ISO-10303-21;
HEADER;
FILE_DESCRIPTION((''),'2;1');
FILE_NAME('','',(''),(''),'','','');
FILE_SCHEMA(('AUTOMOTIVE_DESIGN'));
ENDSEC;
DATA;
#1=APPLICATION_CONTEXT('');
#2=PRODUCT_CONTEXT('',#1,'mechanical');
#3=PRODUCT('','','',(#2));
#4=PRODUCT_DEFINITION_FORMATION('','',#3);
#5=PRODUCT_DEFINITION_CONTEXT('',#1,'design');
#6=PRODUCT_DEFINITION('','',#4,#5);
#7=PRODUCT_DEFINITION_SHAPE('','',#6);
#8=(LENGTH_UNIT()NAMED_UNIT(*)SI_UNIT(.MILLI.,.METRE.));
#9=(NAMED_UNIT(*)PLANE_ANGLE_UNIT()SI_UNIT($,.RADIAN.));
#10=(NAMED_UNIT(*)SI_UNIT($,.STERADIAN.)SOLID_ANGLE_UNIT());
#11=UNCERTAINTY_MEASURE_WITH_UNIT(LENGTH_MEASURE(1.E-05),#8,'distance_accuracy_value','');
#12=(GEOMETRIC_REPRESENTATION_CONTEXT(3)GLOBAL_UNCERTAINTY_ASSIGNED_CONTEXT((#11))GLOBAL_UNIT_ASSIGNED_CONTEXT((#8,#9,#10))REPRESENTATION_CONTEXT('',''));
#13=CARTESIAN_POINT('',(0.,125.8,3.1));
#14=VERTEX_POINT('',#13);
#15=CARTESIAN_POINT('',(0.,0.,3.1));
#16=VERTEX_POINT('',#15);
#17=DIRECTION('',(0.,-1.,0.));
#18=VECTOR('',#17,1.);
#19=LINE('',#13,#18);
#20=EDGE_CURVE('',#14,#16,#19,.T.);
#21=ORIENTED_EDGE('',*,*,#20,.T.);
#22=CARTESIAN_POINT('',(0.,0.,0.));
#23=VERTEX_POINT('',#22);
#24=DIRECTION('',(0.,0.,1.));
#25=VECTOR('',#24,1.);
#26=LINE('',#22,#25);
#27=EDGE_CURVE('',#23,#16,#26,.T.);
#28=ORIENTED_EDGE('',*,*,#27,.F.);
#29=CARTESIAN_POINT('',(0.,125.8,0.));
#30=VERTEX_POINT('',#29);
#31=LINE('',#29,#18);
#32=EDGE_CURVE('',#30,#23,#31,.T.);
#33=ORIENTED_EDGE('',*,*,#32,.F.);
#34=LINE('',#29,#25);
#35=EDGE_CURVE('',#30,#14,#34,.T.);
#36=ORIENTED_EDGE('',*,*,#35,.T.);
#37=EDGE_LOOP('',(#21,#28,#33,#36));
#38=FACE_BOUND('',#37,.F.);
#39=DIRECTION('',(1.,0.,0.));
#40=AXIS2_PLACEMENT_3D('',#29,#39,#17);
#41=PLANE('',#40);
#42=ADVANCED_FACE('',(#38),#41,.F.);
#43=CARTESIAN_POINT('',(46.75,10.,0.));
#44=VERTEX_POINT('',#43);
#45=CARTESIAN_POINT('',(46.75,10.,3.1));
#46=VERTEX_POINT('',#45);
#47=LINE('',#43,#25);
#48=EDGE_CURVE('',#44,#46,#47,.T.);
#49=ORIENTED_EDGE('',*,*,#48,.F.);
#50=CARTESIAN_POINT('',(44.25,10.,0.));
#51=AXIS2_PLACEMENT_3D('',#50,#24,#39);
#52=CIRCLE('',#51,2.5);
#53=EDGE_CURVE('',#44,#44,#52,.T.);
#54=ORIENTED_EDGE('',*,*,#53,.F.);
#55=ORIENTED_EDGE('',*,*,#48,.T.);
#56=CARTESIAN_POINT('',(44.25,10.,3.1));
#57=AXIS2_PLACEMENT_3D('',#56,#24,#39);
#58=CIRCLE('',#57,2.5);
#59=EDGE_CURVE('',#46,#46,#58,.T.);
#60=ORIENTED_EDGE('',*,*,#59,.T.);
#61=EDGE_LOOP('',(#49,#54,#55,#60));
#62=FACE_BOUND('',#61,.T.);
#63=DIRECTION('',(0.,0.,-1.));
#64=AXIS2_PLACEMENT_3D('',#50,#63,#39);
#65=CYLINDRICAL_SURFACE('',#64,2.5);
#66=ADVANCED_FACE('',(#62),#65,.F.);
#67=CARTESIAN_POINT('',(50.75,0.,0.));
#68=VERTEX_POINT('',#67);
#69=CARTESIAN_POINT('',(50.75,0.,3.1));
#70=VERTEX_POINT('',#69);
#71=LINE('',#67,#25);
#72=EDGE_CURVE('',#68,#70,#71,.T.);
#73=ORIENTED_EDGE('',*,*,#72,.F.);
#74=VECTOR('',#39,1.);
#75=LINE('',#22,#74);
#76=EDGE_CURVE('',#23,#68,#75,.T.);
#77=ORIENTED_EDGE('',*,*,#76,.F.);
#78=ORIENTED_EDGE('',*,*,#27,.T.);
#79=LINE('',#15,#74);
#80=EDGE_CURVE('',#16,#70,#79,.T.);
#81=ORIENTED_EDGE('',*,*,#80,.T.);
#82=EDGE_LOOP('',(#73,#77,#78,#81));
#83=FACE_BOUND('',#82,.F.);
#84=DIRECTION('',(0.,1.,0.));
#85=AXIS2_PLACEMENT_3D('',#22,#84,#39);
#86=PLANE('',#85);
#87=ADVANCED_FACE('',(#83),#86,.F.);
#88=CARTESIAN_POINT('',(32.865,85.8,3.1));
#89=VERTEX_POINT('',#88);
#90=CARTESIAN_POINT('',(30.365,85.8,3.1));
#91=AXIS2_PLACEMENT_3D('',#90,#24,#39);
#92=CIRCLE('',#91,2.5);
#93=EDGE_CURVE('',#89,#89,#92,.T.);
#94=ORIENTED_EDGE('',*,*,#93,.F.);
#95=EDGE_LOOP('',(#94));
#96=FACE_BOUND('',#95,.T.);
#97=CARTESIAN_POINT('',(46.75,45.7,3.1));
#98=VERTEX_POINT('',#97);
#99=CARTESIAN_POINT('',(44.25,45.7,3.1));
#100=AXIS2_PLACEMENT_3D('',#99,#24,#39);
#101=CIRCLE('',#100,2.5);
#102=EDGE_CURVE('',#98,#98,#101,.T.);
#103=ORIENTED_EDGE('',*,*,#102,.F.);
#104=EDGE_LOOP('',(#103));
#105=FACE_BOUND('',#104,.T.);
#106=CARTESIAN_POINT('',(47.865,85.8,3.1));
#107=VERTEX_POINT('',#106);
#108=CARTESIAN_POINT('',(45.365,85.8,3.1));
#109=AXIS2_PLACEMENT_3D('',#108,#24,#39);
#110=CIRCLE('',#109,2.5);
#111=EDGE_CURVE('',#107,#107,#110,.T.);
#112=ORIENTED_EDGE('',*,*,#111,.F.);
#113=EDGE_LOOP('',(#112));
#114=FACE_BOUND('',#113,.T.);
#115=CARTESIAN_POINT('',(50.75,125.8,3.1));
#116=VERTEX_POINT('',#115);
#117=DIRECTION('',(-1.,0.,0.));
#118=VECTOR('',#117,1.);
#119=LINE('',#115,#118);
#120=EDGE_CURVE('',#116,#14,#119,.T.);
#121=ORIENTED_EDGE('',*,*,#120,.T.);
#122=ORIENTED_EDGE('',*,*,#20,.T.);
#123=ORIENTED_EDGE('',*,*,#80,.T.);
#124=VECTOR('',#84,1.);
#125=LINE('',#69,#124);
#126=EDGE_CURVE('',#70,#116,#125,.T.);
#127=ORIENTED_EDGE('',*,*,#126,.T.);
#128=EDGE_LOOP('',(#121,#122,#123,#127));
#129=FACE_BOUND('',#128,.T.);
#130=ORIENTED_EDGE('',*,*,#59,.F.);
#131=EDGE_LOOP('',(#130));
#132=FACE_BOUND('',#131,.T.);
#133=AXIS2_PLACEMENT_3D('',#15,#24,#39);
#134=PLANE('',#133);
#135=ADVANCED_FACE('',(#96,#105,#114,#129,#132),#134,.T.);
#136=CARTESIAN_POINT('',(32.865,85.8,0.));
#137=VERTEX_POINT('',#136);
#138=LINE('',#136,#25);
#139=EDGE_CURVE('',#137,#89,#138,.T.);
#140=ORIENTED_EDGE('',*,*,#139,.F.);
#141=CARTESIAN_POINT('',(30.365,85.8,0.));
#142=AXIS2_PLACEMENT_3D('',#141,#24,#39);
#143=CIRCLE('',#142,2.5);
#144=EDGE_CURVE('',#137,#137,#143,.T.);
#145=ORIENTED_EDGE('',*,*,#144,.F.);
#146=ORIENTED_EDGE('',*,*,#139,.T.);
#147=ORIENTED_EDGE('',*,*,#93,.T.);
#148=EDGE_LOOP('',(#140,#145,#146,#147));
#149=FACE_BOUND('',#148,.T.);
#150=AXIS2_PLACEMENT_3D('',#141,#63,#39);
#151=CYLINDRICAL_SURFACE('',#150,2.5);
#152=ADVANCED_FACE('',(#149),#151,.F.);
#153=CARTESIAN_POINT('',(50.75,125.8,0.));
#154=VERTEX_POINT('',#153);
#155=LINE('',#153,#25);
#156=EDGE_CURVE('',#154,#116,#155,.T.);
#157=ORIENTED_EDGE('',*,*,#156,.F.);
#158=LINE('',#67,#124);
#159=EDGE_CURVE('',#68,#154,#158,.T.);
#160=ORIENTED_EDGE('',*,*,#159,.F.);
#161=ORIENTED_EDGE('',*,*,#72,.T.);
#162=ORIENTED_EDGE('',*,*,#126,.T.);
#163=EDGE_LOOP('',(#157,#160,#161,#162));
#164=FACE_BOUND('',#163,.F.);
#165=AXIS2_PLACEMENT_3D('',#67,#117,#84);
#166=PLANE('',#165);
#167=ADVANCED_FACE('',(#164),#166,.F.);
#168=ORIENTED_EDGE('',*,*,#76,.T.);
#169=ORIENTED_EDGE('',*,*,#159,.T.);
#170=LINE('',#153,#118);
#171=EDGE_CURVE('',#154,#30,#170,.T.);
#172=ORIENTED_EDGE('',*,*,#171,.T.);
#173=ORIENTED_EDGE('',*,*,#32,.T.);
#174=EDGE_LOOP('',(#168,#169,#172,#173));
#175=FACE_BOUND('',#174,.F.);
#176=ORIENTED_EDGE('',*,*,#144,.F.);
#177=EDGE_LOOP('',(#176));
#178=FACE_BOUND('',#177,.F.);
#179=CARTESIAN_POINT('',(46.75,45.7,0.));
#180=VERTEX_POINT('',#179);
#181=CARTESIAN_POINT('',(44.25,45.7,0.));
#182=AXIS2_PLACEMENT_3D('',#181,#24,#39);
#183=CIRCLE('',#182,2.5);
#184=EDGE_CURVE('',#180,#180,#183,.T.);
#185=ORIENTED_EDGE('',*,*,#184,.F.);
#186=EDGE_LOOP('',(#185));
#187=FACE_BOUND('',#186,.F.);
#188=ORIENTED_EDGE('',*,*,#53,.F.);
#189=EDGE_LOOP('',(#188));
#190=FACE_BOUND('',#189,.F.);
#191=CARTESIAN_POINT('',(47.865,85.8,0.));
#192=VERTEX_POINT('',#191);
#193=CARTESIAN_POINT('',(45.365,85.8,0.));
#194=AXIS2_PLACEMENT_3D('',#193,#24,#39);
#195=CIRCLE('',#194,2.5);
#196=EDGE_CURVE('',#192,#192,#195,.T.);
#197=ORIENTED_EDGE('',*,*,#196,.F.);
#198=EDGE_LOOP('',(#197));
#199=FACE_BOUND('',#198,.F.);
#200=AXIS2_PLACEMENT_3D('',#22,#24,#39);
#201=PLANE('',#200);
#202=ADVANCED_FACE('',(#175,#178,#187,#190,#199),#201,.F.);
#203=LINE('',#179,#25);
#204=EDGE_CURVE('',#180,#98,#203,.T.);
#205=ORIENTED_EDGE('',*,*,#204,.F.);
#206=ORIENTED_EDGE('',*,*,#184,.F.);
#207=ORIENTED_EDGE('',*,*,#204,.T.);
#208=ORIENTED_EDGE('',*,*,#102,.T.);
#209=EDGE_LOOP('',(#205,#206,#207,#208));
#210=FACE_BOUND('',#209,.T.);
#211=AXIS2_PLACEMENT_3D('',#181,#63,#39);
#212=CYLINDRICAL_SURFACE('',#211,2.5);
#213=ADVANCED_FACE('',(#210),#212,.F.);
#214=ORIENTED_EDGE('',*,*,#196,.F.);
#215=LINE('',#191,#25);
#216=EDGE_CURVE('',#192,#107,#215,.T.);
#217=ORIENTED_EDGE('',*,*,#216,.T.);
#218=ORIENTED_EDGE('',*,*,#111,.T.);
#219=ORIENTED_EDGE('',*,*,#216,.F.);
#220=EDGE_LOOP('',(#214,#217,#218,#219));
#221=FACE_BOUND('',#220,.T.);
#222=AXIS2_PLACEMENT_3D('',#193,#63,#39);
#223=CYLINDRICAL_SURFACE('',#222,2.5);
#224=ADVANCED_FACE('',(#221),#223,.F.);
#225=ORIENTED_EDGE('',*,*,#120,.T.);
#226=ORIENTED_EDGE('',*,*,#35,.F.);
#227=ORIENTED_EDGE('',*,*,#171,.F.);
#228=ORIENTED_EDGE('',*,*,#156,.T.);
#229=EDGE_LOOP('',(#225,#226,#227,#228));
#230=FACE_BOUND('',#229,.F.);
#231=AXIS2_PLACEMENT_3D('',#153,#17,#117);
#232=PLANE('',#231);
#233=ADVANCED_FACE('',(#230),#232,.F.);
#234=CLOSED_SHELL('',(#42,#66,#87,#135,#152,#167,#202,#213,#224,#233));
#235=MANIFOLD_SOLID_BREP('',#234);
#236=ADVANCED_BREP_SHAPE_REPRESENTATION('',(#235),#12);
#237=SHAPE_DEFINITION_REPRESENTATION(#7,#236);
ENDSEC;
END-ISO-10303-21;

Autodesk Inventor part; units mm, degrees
ref_plane "YZ Plane" through (0, 0, 0) normal (1, 0, 0) x (0, 1, 0)
ref_plane "XZ Plane" through (0, 0, 0) normal (0, 1, 0) x (-1, 0, 0)
ref_plane "XY Plane" through (0, 0, 0) normal (0, 0, 1) x (1, 0, 0)
sketch "Sketch1" plane through (0, 0, 0) normal (0, 0, 1) x (1, 0, 0)
  line L0 (50.75, 0) -> (50.75, 125.8)
  line L1 (50.75, 125.8) -> (0, 125.8)
  line L2 (0, 125.8) -> (0, 0)
  circle A0 centre (44.25, 10) radius 2.5
  circle A1 centre (44.25, 45.7) radius 2.5
  line L3 (0, 0) -> (50.75, 0)
  circle A2 centre (45.365, 85.8) radius 2.5
  circle A3 centre (30.365, 85.8) radius 2.5
  dimension "d0" = 50.75
  dimension "d1" = 125.8
  dimension "d2" = 5
  dimension "d3" = 5
  dimension "d14" = 10
  dimension "d15" = 35.7
  dimension "d16" = 6.5
  dimension "d17" = 6.5
  dimension "d20" = 5
  dimension "d21" = 5
  dimension "d22" = 5.385
  dimension "d23" = 15
  dimension "d24" = 40
  dimension "d25" = 40
extrude "Extrusion1" add sketch "Sketch1" along normal blind 3.1
properties part number "BatteryBracketLeft"
